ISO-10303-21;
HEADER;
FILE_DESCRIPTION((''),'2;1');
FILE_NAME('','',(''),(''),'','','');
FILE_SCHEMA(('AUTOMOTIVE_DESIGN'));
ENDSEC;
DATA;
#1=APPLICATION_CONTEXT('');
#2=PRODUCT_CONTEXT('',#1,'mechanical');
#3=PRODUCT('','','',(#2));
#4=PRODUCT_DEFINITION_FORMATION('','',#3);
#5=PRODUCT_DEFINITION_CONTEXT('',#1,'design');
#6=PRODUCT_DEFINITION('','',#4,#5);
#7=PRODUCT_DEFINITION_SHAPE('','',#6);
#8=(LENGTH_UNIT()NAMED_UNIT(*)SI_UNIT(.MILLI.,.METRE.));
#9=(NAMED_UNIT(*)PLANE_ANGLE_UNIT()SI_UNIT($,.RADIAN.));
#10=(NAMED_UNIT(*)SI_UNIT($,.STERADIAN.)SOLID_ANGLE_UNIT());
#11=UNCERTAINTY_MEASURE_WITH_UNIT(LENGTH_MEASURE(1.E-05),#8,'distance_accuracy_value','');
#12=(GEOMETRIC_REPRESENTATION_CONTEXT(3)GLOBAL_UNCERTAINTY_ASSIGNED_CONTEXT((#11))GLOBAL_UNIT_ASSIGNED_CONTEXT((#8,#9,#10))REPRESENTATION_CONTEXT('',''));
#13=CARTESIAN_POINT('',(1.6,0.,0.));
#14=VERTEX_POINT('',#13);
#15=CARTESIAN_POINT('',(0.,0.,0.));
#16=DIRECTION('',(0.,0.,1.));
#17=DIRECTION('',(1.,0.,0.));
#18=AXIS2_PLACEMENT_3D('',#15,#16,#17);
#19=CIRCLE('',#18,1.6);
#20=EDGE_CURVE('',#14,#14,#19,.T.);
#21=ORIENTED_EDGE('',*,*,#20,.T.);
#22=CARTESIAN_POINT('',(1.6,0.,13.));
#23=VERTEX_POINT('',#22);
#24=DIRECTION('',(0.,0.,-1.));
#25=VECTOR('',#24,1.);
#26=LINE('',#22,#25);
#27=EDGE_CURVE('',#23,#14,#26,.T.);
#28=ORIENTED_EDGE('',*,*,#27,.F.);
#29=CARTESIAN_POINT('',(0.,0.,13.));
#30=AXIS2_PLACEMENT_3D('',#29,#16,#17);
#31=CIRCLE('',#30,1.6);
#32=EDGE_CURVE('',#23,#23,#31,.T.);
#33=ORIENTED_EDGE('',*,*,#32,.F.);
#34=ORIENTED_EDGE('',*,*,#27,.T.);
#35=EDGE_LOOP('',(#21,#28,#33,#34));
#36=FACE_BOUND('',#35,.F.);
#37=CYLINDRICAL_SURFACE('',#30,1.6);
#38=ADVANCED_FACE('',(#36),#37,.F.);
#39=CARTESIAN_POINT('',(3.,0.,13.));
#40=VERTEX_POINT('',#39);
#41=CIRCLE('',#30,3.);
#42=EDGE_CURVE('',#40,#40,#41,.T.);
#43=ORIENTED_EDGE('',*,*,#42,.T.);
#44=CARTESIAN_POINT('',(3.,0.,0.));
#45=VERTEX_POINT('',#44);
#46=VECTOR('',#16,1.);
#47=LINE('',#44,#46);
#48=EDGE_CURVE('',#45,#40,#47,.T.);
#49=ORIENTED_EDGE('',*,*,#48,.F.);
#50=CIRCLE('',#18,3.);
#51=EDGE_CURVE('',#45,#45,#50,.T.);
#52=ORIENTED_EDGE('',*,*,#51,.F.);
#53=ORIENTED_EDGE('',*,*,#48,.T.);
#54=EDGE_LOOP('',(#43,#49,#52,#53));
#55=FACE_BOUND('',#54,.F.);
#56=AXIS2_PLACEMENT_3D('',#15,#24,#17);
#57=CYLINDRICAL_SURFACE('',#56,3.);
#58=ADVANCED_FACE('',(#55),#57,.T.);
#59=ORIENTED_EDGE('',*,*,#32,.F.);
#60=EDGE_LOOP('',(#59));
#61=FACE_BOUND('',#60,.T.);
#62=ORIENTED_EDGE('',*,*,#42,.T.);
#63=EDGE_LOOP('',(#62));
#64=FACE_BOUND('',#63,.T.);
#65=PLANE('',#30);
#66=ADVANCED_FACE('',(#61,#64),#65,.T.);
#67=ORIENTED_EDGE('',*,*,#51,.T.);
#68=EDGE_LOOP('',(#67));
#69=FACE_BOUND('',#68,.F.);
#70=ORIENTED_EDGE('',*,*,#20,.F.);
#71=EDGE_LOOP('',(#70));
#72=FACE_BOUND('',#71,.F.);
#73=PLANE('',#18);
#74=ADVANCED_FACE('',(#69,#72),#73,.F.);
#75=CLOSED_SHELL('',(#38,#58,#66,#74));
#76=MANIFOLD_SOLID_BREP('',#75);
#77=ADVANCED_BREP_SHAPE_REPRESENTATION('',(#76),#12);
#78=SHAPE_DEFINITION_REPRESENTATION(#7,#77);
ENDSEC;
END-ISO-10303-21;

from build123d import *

# Parameters (mm, degrees)
SKETCH_R     = 3
PAD_DEPTH    = 13
SKETCH001_R  = 1.6
POCKET_DEPTH = 13


with BuildPart() as part:
    # Sketch → Pad (new body)
    with BuildSketch(Plane.XY):
        Circle(SKETCH_R)
    extrude(amount=PAD_DEPTH)

    # Sketch001 (on Face3 of Pad) → Pocket (cut)
    with BuildSketch(Plane.XY.offset(13)):
        Circle(SKETCH001_R)
    extrude(amount=-POCKET_DEPTH, mode=Mode.SUBTRACT)


solid = part.part
